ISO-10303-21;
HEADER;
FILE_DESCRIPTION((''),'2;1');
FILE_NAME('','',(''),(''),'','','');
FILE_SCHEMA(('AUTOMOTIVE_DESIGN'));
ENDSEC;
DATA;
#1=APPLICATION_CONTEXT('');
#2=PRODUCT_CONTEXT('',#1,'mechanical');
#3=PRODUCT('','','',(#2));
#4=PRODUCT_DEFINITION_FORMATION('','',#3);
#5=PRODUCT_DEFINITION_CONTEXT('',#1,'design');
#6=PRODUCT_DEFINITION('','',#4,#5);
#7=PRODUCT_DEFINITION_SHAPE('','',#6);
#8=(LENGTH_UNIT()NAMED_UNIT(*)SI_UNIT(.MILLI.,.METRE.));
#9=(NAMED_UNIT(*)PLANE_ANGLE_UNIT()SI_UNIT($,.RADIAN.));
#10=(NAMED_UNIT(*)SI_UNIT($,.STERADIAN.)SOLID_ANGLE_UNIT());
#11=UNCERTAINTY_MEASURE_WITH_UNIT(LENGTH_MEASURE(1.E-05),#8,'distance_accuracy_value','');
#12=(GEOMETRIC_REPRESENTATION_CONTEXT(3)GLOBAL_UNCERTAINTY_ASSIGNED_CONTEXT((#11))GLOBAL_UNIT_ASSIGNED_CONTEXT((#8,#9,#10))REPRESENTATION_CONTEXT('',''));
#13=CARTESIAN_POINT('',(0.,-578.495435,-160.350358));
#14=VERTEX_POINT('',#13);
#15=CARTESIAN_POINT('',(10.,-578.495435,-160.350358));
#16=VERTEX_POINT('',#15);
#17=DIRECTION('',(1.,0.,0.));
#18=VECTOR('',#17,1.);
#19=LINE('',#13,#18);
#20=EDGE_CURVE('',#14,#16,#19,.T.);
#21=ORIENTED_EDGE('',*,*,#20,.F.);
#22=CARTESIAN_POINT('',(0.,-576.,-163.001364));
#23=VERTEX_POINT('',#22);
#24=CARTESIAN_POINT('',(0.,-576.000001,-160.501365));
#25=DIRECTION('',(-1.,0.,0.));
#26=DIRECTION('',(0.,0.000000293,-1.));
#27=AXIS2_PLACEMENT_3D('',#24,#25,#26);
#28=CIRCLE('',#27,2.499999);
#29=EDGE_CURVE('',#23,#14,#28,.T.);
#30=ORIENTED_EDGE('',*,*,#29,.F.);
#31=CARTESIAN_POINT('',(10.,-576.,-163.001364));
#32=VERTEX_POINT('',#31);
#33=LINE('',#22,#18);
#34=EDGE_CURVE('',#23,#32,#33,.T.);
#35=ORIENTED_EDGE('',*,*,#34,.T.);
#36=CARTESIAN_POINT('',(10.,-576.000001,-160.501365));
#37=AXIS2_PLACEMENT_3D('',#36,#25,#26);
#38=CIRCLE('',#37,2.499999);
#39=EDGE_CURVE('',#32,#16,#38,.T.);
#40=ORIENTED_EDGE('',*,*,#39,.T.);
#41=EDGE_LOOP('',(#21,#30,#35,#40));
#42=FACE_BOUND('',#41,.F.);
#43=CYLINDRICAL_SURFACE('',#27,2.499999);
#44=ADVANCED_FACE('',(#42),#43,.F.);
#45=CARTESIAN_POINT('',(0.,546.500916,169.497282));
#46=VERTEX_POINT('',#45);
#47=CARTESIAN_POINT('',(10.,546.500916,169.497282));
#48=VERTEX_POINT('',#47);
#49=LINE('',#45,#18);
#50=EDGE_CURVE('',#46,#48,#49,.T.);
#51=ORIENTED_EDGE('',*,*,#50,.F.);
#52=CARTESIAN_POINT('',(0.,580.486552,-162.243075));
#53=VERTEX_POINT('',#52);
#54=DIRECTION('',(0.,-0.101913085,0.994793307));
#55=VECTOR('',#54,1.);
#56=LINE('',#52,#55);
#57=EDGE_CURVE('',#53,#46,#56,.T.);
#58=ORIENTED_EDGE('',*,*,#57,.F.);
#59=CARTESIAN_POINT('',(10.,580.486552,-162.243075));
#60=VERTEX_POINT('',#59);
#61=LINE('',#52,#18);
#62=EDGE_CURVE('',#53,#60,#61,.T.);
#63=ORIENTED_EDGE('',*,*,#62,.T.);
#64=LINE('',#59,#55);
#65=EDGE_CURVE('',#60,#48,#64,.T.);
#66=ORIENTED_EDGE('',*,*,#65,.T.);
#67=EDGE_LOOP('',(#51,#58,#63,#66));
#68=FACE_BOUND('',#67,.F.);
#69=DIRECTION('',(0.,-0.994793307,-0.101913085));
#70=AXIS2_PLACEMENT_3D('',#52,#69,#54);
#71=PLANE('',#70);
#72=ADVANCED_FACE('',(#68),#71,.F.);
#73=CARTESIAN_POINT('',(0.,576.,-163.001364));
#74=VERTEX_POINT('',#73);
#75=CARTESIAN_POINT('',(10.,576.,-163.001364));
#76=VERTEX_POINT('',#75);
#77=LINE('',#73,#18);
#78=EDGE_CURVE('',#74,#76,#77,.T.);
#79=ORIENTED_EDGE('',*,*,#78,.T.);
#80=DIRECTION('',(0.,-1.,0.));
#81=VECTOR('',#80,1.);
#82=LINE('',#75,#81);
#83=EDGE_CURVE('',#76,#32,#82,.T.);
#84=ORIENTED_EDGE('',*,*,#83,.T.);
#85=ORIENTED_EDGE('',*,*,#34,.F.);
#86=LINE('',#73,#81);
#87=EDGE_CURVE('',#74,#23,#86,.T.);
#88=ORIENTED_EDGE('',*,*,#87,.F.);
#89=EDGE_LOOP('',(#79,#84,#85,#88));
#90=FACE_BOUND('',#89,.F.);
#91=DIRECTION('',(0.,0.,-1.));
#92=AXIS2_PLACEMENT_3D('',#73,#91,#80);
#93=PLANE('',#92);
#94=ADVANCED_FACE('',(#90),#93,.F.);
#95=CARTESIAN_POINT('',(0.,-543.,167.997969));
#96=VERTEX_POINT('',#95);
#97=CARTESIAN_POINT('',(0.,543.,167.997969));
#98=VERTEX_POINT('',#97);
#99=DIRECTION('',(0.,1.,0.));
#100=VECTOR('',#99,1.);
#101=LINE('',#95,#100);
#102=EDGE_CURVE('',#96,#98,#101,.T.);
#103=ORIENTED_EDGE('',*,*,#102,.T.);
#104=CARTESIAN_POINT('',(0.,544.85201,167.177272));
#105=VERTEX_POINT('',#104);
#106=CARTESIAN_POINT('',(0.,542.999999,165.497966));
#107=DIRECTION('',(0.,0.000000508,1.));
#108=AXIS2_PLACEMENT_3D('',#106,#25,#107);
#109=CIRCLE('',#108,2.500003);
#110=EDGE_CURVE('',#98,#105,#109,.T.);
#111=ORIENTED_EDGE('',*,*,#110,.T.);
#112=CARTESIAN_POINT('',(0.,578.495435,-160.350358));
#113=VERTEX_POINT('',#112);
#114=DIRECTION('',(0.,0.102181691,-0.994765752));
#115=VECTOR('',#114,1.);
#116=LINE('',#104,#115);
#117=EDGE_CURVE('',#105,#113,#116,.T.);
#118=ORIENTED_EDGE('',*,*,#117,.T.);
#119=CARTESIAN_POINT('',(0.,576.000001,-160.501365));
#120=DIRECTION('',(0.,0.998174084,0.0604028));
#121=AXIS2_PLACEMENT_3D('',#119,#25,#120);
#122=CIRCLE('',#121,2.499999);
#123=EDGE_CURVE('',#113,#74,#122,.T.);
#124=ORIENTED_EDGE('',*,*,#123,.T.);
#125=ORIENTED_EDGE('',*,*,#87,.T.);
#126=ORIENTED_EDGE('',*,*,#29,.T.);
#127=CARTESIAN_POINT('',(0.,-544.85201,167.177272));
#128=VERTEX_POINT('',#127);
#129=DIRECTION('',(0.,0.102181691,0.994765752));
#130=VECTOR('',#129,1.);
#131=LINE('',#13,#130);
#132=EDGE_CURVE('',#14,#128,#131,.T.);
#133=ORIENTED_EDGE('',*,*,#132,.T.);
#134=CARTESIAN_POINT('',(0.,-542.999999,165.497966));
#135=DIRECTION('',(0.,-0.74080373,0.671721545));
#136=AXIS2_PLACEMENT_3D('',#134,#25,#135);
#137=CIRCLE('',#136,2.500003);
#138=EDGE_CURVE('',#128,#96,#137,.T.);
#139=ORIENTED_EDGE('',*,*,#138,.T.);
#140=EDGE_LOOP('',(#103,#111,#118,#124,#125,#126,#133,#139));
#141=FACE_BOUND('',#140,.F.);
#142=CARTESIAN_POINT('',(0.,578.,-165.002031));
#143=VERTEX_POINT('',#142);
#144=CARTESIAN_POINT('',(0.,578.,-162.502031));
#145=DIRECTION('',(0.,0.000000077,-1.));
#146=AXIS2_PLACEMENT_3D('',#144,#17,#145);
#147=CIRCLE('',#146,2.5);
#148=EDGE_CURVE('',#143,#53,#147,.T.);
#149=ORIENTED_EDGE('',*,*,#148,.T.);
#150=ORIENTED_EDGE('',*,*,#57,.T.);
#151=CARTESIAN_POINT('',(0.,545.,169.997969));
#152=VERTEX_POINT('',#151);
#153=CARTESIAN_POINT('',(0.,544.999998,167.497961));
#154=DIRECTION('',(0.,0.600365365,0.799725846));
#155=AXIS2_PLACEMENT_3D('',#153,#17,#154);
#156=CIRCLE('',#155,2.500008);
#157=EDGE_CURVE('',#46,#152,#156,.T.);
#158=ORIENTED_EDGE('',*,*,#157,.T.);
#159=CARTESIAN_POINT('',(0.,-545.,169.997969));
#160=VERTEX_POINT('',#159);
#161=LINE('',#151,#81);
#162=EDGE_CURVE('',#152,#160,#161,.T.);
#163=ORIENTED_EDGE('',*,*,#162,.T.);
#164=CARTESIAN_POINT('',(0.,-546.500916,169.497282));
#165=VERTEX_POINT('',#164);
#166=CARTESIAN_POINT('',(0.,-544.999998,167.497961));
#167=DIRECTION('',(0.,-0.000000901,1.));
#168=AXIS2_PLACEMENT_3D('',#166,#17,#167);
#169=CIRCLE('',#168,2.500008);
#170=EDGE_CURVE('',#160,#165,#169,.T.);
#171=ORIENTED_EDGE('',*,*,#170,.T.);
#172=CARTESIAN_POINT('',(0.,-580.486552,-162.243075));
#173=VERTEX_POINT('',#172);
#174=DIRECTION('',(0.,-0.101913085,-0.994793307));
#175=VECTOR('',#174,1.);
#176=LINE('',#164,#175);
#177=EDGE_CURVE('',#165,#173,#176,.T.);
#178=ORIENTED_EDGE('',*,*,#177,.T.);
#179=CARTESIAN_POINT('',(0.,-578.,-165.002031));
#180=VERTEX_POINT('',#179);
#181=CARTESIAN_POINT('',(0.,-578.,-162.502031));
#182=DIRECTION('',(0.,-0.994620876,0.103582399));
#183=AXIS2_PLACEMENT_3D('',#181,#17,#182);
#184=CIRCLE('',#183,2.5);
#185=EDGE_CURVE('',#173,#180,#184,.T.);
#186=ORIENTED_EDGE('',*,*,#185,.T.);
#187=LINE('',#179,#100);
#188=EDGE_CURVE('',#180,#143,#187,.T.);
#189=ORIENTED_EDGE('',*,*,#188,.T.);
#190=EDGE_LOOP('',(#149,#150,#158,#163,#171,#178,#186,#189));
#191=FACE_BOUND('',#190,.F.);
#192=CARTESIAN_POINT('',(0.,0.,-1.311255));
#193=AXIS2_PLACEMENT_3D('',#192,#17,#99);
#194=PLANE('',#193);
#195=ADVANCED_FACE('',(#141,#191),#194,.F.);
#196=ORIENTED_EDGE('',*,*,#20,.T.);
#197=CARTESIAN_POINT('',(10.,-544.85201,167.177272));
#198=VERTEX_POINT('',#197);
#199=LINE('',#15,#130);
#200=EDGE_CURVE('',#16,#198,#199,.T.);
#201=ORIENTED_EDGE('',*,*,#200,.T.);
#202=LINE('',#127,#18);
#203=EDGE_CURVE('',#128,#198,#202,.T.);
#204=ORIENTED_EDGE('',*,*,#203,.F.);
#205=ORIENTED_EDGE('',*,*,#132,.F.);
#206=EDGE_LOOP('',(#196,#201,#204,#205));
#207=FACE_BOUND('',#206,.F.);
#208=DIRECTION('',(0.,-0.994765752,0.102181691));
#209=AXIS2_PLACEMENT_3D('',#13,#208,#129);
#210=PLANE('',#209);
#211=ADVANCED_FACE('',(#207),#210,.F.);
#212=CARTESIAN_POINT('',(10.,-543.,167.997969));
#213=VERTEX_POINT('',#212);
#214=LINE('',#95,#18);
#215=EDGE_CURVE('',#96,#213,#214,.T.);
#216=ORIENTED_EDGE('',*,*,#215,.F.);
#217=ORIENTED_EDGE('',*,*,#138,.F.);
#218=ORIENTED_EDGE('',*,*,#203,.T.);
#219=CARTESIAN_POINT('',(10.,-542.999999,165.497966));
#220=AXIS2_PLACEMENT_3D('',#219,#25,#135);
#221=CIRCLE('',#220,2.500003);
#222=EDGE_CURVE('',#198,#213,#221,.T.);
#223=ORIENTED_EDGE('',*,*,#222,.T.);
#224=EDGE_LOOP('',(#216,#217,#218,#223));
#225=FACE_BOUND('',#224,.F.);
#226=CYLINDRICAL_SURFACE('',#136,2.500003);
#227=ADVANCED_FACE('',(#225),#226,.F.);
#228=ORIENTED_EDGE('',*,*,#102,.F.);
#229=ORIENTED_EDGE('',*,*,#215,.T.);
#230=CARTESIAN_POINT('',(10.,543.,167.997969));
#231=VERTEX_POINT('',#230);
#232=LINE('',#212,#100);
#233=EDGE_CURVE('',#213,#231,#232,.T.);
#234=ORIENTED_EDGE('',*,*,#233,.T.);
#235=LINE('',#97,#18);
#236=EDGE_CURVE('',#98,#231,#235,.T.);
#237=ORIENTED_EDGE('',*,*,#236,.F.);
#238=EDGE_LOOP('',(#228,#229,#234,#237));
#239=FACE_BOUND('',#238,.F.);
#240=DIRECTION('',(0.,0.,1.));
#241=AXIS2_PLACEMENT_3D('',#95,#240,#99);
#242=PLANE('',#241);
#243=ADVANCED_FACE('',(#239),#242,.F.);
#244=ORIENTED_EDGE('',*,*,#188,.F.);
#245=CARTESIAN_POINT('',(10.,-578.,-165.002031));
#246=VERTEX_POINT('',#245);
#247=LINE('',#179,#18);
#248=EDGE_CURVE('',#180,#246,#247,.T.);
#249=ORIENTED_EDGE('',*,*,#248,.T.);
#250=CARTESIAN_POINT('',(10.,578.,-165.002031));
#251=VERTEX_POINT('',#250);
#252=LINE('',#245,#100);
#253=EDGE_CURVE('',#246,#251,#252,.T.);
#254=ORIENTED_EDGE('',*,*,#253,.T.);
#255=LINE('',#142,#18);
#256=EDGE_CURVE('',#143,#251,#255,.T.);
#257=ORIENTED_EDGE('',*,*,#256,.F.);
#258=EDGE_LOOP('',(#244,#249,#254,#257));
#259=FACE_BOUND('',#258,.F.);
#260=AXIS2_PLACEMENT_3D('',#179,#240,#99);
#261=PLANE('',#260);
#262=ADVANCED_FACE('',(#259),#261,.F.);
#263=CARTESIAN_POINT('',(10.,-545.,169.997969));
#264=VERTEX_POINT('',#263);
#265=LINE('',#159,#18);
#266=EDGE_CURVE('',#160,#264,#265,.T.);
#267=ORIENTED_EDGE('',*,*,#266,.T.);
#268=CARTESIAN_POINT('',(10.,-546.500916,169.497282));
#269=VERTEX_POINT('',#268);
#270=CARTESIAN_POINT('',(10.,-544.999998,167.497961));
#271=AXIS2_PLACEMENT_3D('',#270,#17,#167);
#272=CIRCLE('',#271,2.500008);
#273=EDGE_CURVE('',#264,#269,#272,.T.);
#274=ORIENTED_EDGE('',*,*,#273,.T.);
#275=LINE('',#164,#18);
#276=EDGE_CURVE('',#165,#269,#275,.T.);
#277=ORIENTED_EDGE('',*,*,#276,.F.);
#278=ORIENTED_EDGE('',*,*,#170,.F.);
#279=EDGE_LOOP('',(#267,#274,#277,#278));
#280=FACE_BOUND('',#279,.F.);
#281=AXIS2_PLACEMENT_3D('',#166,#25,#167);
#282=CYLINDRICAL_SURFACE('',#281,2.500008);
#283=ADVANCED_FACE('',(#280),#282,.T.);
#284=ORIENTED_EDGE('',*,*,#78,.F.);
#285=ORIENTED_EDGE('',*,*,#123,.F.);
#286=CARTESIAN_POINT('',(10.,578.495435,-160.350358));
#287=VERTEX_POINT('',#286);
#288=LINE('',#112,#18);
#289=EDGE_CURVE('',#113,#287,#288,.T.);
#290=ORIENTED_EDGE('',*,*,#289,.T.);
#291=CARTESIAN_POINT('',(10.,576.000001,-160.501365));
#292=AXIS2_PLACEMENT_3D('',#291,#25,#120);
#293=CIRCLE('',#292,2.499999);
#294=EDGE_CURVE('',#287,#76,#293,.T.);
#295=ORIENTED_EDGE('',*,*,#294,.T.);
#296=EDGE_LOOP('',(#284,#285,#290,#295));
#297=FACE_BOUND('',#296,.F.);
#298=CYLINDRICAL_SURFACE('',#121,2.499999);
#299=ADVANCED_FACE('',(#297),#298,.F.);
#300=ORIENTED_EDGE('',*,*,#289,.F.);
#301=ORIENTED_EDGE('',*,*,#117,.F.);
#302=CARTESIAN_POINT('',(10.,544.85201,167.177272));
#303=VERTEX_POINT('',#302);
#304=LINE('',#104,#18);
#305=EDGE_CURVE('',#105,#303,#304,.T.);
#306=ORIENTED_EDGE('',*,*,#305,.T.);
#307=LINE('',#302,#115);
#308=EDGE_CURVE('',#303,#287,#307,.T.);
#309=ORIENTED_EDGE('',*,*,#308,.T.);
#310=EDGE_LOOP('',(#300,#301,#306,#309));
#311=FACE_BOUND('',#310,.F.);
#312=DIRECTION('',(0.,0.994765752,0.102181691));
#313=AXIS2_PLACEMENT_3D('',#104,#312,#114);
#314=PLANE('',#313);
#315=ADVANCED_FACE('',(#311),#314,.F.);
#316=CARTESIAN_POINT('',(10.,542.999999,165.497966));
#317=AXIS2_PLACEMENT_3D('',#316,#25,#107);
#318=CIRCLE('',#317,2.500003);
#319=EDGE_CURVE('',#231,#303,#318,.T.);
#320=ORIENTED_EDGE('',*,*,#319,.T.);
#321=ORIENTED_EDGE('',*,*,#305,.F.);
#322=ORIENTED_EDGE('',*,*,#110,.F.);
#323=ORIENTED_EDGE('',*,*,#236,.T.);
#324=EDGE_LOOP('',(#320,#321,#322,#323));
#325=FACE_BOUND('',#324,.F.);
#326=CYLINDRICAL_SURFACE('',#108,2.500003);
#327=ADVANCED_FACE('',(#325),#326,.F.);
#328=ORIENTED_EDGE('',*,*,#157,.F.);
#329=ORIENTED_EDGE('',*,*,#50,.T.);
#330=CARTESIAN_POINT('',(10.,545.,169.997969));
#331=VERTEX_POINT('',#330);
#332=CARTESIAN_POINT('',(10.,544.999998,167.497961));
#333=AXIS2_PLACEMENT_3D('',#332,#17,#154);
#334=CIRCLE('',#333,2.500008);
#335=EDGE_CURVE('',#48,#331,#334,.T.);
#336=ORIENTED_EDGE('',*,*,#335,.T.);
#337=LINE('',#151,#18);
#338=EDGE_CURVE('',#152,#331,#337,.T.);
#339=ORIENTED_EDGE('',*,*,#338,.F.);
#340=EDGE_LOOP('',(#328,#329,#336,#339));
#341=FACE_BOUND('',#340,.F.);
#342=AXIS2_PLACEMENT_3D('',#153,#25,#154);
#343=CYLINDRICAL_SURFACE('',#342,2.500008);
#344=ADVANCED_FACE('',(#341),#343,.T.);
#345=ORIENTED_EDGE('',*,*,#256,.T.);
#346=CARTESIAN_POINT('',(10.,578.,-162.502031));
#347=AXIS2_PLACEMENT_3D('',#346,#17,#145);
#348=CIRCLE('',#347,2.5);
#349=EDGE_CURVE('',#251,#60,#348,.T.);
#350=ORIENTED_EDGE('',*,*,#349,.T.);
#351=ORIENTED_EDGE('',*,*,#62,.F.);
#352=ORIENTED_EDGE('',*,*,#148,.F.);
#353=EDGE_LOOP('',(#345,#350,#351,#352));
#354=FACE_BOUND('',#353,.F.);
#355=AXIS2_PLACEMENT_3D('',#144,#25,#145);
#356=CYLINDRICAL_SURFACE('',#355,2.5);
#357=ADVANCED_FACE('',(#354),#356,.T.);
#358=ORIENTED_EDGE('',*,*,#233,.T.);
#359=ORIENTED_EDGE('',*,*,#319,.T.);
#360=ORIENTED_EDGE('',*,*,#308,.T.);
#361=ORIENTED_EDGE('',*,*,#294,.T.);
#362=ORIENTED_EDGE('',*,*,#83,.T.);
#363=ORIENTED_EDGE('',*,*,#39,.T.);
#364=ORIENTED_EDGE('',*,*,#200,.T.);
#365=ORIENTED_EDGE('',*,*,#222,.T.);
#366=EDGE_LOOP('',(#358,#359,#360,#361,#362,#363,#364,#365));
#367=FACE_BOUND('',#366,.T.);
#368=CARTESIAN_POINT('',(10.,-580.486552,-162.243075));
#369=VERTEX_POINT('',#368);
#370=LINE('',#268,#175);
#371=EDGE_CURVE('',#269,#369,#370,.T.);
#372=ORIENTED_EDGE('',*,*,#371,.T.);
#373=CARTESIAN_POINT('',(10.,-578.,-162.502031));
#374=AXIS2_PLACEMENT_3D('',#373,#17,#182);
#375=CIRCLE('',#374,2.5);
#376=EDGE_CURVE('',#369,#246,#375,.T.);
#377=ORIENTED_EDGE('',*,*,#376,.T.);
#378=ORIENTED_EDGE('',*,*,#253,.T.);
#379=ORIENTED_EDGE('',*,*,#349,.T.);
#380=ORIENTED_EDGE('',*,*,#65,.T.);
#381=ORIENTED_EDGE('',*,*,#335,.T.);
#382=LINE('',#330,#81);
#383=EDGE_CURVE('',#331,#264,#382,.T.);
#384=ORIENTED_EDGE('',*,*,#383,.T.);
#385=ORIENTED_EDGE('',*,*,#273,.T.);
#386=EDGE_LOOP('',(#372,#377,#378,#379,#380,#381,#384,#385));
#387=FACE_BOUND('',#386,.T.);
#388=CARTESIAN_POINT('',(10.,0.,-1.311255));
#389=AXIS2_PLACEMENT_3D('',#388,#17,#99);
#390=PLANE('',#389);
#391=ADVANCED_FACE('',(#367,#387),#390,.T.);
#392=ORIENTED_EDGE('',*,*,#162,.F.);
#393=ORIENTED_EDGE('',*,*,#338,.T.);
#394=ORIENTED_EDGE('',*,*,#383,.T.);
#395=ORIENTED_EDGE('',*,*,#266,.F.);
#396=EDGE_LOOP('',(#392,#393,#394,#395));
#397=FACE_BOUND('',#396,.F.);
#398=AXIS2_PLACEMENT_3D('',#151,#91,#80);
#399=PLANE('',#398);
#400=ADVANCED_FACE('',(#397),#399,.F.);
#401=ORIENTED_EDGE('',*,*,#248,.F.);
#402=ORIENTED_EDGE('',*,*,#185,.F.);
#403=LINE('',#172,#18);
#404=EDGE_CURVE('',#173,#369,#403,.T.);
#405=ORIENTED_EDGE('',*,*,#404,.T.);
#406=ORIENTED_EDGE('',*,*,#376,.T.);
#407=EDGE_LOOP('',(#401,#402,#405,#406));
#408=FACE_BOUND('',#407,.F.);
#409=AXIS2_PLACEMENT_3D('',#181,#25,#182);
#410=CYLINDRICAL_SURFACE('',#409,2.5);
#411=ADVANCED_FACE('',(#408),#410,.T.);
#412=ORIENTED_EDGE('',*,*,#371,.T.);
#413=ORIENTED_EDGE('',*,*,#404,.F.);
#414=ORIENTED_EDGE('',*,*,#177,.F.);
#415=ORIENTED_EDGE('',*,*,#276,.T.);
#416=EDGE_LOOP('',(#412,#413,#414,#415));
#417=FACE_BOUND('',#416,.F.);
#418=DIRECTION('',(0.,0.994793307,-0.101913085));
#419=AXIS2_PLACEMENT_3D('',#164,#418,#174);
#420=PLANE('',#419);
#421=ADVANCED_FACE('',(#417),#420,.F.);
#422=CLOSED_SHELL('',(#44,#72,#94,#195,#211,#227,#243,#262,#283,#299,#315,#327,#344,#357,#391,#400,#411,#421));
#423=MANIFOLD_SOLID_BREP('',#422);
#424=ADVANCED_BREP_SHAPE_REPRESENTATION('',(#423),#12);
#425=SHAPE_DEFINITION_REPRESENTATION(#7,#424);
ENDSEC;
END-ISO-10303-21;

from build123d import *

# Parameters (mm, degrees)
F1_DEPTH = 10


with BuildPart() as f1:
    # F0 (on Right) → F1 (new body)
    with BuildSketch(Plane.YZ):
        with BuildLine():
            Line((0, 169.997969), (-545, 169.997969))
            ThreePointArc((-545, 169.997969), (-545.791112, 169.869496), (-546.500916, 169.497282))
            Line((-546.500916, 169.497282), (-580.486552, -162.243075))
            ThreePointArc((-580.486552, -162.243075), (-579.857066, -164.175741), (-578, -165.002031))
            Line((-578, -165.002031), (0, -165.002031))
            Line((0, -165.002031), (578, -165.002031))
            ThreePointArc((578, -165.002031), (579.857066, -164.175741), (580.486552, -162.243075))
            Line((580.486552, -162.243075), (546.500916, 169.497282))
            ThreePointArc((546.500916, 169.497282), (545.791112, 169.869496), (545, 169.997969))
            Line((545, 169.997969), (0, 169.997969))
        make_face()
        with BuildLine():
            ThreePointArc((-544.85201, 167.177272), (-544.012853, 167.783604), (-543, 167.997969))
            Line((-543, 167.997969), (0, 167.997969))
            Line((0, 167.997969), (543, 167.997969))
            ThreePointArc((543, 167.997969), (544.012853, 167.783604), (544.85201, 167.177272))
            Line((544.85201, 167.177272), (578.495435, -160.350358))
            ThreePointArc((578.495435, -160.350358), (577.820373, -162.214911), (576, -163.001364))
            Line((576, -163.001364), (0, -163.001364))
            Line((0, -163.001364), (-576, -163.001364))
            ThreePointArc((-576, -163.001364), (-577.820373, -162.214911), (-578.495435, -160.350358))
            Line((-578.495435, -160.350358), (-544.85201, 167.177272))
        make_face(mode=Mode.SUBTRACT)
    extrude(amount=F1_DEPTH)


solid = f1.part
